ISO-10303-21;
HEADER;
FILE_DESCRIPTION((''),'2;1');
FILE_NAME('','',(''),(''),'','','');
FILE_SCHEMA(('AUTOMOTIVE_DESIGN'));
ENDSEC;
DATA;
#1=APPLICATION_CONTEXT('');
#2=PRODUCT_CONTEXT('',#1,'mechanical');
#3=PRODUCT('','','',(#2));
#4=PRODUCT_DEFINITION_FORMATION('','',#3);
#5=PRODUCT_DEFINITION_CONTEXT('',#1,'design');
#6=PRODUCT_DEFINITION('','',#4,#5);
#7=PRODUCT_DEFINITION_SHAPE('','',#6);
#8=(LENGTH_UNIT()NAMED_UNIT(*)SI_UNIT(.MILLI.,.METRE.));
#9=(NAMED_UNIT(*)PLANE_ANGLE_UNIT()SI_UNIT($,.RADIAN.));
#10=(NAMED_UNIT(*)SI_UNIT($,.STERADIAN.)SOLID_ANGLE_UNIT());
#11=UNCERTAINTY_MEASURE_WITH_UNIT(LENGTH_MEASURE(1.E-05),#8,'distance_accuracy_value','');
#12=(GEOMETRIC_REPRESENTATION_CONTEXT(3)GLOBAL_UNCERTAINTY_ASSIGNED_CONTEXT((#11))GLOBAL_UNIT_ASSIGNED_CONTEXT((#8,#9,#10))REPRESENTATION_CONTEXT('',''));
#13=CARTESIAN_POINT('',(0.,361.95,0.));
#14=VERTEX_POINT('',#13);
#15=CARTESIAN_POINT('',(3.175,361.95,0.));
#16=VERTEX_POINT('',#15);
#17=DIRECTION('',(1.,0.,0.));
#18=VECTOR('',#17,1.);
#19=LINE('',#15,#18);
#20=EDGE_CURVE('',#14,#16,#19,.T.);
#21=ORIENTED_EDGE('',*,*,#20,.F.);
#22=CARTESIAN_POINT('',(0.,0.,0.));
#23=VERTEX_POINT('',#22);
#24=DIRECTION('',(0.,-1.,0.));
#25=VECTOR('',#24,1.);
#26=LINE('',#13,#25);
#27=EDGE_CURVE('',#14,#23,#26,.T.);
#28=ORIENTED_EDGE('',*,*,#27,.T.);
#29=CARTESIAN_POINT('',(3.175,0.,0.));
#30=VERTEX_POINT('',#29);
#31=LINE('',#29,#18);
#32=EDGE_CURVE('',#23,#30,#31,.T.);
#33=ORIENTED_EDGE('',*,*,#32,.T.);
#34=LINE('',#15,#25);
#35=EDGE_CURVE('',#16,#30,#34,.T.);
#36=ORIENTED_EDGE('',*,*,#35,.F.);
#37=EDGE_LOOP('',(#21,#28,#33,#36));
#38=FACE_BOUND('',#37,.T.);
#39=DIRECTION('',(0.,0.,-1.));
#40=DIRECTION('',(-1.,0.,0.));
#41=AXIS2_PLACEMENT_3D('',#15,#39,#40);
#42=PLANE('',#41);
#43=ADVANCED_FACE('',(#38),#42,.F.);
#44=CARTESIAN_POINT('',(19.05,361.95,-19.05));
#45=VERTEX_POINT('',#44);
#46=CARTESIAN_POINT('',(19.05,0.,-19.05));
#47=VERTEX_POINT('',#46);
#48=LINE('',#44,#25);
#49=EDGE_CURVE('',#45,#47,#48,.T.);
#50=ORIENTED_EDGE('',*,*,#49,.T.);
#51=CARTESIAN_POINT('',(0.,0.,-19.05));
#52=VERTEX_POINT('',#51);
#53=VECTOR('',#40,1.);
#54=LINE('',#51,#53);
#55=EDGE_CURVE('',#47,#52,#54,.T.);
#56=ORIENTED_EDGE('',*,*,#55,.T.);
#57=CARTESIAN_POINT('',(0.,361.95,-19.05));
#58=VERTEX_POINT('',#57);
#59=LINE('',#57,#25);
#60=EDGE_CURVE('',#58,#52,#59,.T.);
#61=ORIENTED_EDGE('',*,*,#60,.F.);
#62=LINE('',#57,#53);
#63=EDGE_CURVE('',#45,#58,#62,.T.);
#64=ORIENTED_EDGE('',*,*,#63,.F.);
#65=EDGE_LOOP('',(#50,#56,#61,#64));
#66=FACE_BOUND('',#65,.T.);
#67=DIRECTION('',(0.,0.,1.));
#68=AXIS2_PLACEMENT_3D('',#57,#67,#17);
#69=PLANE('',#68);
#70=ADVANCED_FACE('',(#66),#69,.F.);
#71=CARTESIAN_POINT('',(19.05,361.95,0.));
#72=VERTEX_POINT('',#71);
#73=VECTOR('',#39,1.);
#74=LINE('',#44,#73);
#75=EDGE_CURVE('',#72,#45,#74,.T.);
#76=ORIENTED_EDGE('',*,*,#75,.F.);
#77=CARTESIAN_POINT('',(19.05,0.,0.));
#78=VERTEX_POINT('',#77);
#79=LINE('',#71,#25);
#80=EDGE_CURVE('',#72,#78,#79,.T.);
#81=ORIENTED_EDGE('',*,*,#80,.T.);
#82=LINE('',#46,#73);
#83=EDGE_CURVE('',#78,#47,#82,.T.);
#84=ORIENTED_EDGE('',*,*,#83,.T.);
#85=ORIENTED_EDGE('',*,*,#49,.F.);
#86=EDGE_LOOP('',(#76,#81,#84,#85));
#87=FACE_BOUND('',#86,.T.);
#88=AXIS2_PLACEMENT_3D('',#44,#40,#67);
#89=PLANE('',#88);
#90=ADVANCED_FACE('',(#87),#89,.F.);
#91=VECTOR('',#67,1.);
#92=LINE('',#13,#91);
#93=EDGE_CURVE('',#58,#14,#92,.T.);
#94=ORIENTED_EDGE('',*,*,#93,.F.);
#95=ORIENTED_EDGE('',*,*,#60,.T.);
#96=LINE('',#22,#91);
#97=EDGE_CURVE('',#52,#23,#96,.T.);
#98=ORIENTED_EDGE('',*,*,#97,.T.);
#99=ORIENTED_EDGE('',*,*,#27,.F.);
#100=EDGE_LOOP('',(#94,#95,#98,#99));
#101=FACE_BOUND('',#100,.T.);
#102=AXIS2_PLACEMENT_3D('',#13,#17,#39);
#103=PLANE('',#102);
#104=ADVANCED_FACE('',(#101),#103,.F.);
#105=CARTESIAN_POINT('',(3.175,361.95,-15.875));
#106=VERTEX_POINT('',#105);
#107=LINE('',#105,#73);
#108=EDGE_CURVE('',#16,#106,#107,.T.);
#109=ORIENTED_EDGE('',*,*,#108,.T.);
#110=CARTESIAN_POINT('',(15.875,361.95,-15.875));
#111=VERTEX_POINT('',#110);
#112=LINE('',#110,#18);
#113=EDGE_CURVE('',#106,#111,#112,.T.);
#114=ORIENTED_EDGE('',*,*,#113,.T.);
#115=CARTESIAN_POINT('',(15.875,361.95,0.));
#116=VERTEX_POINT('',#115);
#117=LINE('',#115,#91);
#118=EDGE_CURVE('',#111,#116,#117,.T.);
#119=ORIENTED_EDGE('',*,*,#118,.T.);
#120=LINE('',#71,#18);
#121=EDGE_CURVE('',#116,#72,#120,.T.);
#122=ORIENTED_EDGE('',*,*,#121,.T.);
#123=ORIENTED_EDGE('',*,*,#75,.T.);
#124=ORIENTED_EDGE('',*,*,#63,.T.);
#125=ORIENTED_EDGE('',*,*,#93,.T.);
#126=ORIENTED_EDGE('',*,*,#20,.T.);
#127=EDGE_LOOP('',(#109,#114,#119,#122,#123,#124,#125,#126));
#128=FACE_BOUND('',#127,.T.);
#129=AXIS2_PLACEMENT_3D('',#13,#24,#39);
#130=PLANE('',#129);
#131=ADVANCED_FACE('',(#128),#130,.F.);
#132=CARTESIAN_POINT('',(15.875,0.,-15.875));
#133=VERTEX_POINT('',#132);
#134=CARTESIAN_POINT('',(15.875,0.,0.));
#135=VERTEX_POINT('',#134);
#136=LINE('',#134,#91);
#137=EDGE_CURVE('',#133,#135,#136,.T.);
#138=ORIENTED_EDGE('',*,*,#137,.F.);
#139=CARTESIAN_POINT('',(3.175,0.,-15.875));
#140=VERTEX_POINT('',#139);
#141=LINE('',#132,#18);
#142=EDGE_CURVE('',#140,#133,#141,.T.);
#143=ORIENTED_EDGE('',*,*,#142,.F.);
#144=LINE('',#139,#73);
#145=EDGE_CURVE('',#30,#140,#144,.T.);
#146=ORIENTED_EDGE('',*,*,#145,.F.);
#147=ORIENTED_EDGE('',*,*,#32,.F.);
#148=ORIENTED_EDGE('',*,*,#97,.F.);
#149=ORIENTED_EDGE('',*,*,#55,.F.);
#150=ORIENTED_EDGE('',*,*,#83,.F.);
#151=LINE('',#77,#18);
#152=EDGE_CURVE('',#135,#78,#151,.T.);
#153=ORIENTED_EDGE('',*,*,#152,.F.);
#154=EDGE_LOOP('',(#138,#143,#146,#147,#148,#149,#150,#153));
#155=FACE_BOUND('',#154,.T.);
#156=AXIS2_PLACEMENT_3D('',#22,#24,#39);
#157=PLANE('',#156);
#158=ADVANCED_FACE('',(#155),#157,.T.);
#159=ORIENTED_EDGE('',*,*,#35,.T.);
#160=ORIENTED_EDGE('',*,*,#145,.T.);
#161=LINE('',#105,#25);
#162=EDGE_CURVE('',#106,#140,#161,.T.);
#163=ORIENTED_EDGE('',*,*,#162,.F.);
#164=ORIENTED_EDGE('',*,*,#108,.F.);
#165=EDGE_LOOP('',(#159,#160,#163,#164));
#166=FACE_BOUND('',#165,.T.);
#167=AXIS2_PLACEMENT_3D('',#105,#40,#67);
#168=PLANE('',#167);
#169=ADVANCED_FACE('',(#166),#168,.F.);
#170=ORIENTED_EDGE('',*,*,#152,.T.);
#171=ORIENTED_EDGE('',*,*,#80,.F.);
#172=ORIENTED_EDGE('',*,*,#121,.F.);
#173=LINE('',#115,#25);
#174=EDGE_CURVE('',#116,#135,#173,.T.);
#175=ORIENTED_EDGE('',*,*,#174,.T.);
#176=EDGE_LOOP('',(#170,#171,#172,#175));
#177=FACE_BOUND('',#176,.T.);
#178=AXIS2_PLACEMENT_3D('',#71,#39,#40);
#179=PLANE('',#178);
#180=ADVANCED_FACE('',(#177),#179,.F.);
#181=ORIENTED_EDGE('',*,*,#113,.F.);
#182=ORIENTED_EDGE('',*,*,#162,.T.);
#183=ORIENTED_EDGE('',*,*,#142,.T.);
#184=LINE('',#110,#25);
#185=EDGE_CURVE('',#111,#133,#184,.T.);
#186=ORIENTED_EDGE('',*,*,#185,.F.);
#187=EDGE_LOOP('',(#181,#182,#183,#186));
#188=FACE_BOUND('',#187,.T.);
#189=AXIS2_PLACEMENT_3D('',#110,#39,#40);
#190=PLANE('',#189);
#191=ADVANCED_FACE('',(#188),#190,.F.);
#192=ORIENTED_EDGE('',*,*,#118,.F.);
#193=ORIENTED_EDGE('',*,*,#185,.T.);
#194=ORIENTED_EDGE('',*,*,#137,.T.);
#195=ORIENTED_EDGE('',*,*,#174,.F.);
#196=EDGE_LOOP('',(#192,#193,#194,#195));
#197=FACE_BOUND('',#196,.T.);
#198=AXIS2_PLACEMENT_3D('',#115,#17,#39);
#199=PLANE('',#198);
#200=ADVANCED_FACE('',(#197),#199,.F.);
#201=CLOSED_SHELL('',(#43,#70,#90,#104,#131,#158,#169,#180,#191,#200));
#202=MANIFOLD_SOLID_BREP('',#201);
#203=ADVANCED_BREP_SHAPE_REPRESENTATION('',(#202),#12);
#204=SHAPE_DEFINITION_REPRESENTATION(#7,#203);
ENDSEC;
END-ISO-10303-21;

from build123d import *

# Parameters (mm, degrees)
BOSS_EXTRUDE1_DEPTH = 361.95


with BuildPart() as part:
    # Sketch1 → Boss-Extrude1 (new body)
    with BuildSketch(Plane(origin=(0, 0, 0), x_dir=(1, 0, 0), z_dir=(0, 1, 0))):
        Polygon((0, 0), (0, 19.05), (19.05, 19.05), (19.05, 0), (15.875, 0), (15.875, 15.875), (3.175, 15.875), (3.175, 0), align=None)
    extrude(amount=BOSS_EXTRUDE1_DEPTH)


solid = part.part
